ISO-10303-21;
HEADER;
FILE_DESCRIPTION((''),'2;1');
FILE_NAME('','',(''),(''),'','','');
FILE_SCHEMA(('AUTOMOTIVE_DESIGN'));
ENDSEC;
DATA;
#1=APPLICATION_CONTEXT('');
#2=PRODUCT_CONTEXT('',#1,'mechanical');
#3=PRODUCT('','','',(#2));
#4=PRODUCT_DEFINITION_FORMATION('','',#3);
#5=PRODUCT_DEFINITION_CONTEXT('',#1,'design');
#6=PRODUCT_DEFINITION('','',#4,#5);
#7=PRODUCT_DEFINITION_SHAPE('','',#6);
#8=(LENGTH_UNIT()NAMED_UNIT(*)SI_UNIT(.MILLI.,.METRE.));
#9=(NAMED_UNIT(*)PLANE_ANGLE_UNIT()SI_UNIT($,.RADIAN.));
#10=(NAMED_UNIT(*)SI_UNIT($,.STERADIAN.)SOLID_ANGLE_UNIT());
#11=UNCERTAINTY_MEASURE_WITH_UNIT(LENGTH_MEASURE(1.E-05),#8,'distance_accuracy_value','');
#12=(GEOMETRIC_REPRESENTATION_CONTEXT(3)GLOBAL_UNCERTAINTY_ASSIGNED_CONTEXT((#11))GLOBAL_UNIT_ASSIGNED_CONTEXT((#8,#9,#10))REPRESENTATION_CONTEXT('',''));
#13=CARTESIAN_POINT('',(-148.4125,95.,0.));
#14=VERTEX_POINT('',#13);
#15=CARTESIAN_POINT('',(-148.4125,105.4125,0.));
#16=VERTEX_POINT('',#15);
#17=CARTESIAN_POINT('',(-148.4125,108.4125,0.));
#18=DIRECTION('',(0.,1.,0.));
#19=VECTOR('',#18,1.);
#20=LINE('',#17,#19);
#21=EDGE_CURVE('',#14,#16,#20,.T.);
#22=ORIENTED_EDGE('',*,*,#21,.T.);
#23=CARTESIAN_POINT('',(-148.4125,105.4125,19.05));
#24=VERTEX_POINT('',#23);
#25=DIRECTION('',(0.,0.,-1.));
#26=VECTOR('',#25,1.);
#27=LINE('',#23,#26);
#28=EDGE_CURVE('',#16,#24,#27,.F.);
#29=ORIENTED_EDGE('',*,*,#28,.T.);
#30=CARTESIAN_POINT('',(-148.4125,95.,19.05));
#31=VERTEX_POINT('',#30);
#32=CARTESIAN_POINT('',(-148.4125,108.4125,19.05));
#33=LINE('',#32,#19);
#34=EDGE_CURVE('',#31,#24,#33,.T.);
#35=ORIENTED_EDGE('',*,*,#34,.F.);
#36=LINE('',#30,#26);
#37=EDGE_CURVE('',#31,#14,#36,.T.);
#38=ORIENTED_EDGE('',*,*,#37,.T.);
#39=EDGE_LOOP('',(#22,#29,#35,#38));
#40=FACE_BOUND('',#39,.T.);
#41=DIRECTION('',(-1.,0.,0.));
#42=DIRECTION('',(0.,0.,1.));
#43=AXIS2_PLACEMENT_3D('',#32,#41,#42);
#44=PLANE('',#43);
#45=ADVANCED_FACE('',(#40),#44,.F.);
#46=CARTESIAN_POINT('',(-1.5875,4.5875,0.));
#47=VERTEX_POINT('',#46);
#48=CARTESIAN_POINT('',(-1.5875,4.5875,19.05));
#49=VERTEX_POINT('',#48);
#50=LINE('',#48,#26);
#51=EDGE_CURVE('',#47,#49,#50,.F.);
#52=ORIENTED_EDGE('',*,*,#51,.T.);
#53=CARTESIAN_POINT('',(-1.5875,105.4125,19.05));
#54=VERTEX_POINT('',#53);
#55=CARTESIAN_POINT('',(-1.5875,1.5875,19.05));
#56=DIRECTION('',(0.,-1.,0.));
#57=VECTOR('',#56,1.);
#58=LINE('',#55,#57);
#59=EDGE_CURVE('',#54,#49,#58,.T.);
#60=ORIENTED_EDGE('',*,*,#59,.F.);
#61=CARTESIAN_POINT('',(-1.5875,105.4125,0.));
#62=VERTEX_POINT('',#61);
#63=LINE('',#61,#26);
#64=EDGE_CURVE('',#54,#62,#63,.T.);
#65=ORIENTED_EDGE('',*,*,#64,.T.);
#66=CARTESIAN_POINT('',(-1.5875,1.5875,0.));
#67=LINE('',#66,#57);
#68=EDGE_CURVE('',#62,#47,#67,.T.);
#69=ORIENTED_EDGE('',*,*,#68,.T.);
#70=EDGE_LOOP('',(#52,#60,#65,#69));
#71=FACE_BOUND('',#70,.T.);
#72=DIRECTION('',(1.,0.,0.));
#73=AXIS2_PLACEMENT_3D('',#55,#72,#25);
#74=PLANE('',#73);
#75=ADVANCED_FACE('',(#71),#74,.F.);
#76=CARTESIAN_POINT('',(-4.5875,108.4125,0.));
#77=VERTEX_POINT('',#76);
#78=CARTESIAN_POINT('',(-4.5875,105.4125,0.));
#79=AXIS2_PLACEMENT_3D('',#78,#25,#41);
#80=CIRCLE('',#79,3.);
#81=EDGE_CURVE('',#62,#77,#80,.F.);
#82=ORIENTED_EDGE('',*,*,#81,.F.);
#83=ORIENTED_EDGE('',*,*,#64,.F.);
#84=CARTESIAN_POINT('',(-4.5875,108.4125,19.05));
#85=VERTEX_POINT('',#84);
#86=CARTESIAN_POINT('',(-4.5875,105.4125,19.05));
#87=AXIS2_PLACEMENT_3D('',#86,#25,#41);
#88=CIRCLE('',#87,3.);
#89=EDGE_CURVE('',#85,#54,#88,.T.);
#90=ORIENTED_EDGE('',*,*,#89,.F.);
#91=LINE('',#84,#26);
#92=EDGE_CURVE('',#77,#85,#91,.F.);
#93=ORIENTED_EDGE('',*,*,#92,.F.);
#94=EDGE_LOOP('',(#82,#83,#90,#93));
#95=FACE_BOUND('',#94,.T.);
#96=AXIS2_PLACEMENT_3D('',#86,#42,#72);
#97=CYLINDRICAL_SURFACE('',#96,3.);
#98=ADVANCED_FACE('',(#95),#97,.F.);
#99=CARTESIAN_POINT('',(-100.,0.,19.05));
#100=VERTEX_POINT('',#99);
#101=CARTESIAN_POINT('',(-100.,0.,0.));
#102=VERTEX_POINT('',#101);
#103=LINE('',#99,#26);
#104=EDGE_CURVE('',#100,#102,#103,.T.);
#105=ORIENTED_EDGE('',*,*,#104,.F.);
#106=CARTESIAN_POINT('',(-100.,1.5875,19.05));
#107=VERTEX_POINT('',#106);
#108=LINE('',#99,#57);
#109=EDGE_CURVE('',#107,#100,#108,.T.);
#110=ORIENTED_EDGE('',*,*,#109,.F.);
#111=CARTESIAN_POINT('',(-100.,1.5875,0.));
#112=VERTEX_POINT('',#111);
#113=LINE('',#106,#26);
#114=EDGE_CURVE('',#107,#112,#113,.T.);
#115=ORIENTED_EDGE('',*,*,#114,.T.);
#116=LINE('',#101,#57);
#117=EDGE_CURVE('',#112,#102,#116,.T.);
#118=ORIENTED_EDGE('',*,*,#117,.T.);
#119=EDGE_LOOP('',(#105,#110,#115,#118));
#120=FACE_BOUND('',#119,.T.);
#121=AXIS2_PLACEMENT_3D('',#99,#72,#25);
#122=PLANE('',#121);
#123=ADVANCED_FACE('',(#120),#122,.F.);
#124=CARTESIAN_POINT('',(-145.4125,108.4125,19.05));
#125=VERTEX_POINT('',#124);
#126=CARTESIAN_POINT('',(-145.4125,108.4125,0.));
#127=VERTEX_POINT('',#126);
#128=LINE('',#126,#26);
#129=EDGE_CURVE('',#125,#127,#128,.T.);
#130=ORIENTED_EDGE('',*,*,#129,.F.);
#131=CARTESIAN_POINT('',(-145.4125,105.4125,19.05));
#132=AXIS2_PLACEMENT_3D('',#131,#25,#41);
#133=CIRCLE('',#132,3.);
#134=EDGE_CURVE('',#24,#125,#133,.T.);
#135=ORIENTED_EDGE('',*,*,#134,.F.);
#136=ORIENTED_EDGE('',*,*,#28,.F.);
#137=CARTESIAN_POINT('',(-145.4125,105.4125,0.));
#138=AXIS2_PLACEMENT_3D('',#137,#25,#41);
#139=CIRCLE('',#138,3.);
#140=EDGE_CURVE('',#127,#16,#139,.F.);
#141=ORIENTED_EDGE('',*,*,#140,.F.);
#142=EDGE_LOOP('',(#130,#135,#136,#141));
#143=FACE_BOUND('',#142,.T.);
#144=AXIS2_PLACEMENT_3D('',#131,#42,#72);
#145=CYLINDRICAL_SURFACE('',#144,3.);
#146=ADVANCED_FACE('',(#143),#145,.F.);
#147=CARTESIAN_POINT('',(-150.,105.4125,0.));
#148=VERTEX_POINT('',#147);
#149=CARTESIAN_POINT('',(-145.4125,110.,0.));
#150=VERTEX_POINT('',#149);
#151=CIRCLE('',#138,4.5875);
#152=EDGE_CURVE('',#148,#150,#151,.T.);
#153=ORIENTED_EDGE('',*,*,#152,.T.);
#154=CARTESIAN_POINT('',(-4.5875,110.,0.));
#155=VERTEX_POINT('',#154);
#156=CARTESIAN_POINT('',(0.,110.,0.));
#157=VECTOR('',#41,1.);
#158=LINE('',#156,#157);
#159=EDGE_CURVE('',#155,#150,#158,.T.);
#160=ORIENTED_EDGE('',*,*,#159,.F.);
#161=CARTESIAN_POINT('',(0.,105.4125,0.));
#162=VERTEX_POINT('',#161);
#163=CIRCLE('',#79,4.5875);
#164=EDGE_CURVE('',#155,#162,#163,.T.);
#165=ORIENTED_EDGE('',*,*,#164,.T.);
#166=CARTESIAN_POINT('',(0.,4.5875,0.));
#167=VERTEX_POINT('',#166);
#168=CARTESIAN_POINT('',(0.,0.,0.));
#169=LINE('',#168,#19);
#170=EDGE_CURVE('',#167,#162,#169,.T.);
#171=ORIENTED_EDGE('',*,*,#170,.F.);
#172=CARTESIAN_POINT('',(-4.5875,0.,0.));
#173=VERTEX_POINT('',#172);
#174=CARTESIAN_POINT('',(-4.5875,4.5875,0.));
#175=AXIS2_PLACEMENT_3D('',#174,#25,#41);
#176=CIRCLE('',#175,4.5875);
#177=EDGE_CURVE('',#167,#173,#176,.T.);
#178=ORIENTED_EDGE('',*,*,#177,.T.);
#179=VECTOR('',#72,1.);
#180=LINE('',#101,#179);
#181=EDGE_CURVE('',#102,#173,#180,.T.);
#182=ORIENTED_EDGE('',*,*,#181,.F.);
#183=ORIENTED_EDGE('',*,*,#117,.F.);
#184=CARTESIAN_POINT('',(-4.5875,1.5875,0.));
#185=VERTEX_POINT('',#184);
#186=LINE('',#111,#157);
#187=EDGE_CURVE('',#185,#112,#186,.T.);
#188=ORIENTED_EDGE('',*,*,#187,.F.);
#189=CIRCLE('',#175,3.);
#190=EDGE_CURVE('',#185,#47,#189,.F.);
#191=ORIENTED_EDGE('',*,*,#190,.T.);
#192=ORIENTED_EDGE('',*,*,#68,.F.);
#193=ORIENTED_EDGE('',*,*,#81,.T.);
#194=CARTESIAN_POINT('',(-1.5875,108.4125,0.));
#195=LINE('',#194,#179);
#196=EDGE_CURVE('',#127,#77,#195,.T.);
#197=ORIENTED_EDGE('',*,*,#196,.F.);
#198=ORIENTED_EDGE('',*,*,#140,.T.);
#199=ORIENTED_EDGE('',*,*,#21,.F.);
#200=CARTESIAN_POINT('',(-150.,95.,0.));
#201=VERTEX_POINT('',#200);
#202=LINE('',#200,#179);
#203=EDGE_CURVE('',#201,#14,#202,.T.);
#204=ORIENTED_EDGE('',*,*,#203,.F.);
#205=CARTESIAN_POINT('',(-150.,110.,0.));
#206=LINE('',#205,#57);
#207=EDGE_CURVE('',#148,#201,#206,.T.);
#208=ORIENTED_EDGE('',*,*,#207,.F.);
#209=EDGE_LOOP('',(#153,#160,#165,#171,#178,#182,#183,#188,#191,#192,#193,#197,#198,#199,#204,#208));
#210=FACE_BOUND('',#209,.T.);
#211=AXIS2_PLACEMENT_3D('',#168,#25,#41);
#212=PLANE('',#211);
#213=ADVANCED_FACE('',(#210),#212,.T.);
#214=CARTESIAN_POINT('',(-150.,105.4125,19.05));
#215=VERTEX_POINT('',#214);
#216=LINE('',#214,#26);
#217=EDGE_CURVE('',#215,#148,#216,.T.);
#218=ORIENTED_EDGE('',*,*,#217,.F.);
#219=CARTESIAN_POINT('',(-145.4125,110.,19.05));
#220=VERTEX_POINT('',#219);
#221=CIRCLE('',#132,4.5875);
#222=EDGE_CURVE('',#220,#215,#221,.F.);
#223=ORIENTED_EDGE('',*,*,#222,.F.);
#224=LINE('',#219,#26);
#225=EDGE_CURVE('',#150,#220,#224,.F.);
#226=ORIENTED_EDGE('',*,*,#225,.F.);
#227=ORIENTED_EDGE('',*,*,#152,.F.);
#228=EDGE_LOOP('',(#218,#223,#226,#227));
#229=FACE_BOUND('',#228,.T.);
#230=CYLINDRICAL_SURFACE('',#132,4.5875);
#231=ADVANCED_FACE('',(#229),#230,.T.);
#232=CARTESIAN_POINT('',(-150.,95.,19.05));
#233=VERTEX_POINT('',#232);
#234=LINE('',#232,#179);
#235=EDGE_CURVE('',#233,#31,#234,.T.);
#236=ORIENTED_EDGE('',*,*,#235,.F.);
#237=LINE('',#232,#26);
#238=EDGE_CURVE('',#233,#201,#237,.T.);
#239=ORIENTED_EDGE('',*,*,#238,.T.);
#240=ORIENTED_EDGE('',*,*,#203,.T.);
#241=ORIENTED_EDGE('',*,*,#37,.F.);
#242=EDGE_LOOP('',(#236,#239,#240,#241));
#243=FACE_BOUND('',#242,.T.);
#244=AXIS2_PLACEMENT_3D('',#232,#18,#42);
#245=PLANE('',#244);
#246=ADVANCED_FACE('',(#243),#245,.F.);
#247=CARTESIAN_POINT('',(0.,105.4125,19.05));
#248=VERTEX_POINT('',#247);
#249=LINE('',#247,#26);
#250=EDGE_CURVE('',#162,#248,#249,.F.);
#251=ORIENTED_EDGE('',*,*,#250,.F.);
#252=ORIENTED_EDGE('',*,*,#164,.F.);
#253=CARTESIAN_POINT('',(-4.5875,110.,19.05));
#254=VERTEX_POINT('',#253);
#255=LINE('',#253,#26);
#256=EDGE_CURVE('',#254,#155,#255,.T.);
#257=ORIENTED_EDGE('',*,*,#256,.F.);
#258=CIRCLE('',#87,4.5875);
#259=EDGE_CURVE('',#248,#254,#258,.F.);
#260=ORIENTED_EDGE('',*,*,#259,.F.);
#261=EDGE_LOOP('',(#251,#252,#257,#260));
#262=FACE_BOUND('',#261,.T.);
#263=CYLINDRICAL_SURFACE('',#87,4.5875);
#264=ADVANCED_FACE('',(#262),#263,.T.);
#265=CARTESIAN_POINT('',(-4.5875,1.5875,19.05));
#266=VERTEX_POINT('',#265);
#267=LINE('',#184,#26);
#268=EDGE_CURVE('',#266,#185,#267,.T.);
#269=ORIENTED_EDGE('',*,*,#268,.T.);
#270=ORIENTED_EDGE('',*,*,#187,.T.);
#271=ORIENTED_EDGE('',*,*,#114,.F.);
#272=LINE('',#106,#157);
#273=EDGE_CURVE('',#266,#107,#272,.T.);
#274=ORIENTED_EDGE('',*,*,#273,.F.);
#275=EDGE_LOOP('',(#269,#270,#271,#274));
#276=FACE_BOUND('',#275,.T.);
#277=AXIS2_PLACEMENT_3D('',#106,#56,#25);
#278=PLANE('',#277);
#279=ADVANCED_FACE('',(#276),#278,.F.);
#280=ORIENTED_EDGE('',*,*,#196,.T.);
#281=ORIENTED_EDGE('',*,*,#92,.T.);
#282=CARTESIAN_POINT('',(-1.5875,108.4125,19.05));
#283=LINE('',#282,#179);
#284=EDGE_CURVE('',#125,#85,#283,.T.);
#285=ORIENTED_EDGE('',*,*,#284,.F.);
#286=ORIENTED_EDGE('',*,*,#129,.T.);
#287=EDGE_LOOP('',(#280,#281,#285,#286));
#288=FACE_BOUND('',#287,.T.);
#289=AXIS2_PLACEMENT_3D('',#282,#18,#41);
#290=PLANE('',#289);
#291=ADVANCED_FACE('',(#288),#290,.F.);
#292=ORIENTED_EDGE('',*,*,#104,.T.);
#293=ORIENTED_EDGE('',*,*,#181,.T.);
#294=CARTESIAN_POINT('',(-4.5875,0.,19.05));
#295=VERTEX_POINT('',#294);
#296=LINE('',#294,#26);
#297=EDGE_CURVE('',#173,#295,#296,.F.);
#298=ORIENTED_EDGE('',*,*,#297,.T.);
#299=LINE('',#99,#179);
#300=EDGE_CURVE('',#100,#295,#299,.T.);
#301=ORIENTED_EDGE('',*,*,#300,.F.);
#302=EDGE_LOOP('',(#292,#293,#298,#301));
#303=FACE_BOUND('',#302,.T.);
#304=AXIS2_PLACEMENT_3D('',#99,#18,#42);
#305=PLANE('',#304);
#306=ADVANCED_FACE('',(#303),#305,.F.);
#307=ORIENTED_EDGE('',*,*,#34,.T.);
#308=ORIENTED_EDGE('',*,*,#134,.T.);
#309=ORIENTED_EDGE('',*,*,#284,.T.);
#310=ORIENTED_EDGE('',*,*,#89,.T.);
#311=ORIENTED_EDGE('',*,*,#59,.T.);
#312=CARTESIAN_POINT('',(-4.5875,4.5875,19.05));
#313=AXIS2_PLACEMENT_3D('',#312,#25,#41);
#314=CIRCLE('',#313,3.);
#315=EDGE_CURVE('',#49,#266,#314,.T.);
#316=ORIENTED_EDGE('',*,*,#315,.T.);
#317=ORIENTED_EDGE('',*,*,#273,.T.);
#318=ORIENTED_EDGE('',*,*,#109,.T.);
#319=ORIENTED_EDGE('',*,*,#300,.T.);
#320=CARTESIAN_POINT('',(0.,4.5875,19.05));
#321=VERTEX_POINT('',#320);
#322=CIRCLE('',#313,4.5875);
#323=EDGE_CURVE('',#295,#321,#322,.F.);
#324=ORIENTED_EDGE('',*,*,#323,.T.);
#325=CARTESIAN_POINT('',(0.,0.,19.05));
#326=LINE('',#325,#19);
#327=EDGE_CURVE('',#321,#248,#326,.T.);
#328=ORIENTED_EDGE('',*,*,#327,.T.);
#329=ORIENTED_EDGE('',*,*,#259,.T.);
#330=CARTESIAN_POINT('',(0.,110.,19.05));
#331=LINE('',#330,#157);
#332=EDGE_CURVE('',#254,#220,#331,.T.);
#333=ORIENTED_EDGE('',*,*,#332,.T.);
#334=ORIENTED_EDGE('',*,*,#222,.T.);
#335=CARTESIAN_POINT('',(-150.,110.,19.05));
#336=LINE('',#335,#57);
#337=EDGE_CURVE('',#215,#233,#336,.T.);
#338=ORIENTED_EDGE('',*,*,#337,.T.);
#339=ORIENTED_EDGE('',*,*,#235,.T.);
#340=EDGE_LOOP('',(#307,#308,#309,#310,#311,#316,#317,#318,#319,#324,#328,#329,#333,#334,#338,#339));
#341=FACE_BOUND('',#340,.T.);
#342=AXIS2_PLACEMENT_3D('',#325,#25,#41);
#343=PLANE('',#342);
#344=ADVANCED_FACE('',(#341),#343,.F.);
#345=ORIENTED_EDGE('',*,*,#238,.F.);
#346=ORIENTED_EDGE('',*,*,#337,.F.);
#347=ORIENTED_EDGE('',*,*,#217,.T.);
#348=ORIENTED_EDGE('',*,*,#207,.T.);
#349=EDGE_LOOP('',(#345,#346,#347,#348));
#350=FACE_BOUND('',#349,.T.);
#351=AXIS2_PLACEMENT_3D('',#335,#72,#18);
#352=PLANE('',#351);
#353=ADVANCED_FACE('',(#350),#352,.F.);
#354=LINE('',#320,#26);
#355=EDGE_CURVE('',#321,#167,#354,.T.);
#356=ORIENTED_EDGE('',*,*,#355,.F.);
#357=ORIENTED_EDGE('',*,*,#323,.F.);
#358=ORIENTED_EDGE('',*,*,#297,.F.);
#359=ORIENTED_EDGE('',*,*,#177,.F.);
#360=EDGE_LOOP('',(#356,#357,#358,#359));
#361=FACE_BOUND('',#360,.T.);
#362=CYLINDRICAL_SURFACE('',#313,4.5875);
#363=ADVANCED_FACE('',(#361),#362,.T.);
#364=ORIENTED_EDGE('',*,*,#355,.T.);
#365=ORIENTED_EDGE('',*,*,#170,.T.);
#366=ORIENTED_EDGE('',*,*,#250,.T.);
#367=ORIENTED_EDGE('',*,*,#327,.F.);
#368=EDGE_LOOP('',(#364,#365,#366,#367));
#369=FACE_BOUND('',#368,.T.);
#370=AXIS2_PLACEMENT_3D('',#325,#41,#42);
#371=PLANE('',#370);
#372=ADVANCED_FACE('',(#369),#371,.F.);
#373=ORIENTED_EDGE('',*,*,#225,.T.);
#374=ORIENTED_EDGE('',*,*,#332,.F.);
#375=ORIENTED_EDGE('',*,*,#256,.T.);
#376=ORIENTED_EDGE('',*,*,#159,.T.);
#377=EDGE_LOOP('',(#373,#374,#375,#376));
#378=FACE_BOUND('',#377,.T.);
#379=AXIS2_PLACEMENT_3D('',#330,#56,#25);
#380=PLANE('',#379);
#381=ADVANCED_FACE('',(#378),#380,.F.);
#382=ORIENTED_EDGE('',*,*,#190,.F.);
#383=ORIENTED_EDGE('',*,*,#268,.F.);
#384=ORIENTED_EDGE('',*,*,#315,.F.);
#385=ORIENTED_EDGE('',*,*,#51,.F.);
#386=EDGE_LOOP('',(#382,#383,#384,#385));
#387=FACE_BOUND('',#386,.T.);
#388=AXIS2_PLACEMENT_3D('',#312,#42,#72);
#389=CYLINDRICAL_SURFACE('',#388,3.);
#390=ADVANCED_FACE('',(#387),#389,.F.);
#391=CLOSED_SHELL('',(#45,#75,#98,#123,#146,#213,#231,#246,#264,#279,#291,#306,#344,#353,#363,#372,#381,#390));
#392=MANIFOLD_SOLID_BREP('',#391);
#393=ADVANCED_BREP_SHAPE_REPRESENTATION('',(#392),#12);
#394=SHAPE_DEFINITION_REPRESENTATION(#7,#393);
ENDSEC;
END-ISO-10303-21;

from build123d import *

# Parameters (mm, degrees)
BOSS_EXTRUDE1_DEPTH = 19.05
FILLET1_R           = 3
FILLET2_R           = 4.5875


with BuildPart() as part:
    # Sketch1 → Boss-Extrude1 (new body)
    with BuildSketch(Plane.XY):
        Polygon((-100, 0), (0, 0), (0, 110), (-150, 110), (-150, 95), (-148.4125, 95), (-148.4125, 108.4125), (-1.5875, 108.4125), (-1.5875, 1.5875), (-100, 1.5875), align=None)
    extrude(amount=BOSS_EXTRUDE1_DEPTH)

    # Fillet1
    fillet1_edges = [part.edges().sort_by_distance(p)[0] for p in [
        (-1.5875, 1.5875, 9.525),
        (-1.5875, 108.4125, 9.525),
        (-148.4125, 108.4125, 9.525),
    ]]
    fillet(fillet1_edges, radius=FILLET1_R)

    # Fillet2
    fillet2_edges = [part.edges().sort_by_distance(p)[0] for p in [
        (-150, 110, 9.525),
        (0, 110, 9.525),
        (0, 0, 9.525),
    ]]
    fillet(fillet2_edges, radius=FILLET2_R)


solid = part.part
